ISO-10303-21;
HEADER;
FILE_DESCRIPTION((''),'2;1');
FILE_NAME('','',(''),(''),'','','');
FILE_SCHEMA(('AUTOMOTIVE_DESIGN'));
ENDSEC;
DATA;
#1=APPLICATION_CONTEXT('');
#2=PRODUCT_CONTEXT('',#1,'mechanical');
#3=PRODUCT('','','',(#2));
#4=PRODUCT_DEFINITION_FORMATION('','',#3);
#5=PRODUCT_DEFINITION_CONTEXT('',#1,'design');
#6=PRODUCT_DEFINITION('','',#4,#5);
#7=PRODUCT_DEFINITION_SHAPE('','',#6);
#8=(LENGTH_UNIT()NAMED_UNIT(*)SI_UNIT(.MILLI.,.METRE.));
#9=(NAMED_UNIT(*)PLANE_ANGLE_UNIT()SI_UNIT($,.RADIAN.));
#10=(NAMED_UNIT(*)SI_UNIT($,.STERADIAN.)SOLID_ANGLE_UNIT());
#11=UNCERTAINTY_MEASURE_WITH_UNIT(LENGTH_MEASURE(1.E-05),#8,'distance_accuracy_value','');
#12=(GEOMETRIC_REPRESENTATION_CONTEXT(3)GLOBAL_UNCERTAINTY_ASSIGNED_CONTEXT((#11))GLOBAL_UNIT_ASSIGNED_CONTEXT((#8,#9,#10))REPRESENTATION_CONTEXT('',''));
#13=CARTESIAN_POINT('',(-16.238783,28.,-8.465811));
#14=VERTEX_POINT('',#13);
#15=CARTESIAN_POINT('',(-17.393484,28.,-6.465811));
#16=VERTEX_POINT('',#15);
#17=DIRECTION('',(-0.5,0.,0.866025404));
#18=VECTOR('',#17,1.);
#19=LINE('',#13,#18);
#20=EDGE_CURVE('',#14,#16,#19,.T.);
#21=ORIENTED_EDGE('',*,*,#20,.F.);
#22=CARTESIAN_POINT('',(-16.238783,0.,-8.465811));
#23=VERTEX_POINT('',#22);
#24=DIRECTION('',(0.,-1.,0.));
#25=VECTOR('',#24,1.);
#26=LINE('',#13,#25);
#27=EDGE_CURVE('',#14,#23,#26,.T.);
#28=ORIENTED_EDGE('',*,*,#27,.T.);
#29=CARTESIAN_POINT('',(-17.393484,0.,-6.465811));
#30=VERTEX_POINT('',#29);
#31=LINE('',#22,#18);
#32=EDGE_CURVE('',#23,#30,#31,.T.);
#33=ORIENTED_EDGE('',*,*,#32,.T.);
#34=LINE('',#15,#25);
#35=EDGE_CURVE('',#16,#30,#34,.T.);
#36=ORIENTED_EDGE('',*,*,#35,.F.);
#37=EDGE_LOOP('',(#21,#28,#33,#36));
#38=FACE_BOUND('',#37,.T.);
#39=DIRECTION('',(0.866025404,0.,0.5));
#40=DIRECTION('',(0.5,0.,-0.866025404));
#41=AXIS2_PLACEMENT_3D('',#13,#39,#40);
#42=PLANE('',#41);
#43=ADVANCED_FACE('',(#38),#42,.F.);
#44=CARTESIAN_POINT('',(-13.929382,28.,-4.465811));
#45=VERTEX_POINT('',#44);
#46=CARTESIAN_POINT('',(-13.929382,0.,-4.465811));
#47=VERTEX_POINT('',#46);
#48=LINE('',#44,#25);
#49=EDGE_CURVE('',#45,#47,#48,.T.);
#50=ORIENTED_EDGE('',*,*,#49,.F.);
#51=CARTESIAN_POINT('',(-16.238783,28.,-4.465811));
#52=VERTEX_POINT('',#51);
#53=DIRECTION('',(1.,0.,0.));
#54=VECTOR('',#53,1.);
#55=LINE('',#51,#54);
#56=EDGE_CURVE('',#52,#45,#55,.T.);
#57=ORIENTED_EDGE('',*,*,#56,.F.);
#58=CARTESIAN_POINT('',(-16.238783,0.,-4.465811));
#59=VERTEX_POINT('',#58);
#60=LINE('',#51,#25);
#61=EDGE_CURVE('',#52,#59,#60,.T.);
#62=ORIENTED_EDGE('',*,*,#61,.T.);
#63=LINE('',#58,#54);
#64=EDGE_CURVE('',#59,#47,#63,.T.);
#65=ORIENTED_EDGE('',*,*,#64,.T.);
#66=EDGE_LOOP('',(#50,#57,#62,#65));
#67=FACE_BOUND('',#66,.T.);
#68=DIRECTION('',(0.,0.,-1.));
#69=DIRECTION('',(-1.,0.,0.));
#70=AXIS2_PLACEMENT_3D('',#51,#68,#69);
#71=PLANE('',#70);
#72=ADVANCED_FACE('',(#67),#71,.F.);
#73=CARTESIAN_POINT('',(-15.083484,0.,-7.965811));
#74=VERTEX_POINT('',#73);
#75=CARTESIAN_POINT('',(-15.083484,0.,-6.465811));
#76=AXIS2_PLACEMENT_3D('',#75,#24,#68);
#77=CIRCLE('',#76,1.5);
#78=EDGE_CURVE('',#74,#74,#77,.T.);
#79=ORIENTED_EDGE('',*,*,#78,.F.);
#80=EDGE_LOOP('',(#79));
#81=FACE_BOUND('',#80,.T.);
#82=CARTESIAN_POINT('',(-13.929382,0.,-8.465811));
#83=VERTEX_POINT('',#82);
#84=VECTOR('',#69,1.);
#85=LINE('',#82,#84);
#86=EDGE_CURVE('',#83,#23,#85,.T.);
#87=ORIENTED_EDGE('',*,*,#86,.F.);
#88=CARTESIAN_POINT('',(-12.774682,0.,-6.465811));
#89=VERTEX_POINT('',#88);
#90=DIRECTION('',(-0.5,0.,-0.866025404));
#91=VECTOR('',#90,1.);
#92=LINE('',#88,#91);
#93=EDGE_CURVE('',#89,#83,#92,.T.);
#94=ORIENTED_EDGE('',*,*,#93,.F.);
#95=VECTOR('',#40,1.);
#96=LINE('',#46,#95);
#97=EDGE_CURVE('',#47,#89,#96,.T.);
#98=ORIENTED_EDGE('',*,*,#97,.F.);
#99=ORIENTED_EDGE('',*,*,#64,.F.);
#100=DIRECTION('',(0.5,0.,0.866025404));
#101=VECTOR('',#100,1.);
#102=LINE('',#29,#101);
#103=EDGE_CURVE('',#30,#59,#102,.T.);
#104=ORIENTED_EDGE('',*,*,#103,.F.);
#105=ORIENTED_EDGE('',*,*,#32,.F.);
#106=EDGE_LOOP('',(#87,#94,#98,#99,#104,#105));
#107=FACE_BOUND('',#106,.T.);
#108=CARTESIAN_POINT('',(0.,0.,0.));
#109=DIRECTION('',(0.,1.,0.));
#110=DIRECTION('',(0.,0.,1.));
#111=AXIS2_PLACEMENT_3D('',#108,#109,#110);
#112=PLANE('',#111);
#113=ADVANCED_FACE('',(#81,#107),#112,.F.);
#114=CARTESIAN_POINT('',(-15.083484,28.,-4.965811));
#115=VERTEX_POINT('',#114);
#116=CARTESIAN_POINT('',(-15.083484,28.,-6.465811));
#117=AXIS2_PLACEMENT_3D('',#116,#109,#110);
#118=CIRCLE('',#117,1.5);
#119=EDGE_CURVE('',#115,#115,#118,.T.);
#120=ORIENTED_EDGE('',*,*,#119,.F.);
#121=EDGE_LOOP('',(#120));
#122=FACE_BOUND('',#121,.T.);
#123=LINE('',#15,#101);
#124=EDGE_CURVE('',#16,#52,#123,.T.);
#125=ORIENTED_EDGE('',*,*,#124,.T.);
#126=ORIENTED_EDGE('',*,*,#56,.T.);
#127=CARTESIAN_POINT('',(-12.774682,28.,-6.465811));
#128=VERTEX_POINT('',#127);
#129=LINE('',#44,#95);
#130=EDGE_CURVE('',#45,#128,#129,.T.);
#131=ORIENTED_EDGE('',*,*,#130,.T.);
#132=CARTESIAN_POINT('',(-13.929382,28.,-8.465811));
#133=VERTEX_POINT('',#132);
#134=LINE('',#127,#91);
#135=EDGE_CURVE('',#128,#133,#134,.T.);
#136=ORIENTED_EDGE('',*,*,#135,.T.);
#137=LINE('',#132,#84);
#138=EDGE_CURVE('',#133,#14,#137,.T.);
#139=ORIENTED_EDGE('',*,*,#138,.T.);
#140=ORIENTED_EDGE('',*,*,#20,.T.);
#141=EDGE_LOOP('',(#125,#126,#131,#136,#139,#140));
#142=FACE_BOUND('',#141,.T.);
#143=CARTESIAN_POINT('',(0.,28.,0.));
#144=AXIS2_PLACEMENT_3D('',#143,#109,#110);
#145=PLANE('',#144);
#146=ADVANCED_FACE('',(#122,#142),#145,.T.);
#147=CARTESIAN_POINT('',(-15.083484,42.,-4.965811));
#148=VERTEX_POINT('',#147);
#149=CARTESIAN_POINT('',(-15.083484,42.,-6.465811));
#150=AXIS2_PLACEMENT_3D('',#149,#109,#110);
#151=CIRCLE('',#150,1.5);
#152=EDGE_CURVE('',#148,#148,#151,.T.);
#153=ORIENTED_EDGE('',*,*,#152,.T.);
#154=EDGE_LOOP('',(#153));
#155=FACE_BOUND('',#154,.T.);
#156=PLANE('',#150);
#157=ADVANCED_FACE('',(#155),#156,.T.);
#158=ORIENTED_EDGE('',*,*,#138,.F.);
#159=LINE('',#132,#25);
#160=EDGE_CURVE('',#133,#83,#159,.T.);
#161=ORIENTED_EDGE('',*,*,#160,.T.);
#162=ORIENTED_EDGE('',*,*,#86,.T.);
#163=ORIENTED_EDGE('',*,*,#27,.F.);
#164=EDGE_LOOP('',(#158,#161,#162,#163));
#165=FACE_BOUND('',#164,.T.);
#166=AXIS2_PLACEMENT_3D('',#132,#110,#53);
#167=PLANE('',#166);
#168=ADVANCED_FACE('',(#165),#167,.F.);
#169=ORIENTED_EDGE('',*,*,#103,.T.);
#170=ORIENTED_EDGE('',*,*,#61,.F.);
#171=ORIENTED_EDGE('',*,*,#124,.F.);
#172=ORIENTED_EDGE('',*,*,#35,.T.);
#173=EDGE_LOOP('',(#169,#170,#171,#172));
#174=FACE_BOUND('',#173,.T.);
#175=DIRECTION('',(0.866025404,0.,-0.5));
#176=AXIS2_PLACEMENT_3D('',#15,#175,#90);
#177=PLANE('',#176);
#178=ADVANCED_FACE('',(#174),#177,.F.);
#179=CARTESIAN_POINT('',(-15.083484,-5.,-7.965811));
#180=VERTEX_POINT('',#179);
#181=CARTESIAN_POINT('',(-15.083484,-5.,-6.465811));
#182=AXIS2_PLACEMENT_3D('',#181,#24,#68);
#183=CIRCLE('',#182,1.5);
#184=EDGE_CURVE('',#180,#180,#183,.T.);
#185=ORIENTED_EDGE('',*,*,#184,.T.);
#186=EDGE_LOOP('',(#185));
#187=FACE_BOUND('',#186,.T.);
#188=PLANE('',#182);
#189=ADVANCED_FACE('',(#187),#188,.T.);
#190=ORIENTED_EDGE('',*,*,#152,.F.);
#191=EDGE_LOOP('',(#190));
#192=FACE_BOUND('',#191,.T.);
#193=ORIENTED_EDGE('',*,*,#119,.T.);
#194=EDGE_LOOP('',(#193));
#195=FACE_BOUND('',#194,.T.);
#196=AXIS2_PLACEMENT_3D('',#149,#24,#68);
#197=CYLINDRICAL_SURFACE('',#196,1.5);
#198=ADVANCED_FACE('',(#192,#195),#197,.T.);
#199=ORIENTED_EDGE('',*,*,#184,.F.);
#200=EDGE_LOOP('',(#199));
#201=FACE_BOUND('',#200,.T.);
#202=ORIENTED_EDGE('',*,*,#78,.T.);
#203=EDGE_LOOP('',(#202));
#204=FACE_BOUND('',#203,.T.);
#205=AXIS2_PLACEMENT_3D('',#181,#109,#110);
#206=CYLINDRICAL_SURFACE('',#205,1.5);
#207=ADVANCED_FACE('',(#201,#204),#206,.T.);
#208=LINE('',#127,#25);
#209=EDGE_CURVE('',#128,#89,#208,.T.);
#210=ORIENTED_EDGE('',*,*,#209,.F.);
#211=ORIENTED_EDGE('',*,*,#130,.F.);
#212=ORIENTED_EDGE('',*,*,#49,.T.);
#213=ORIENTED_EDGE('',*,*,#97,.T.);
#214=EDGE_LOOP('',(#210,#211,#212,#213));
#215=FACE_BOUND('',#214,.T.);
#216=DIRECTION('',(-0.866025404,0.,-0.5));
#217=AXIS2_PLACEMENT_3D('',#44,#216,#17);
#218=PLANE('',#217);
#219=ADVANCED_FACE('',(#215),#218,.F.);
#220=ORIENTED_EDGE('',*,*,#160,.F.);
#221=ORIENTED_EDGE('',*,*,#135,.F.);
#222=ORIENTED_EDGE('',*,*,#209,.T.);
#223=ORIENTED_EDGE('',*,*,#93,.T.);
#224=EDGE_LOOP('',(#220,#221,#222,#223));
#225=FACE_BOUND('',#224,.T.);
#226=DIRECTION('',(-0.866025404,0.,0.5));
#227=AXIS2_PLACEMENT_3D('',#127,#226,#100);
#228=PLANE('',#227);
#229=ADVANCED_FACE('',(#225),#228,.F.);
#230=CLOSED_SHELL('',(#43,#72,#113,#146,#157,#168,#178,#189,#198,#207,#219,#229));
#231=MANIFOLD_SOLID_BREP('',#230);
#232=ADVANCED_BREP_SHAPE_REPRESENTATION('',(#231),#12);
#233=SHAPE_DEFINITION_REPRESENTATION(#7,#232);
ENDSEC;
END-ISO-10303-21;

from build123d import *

# Parameters (mm, degrees)
BOSS_EXTRUDE1_DEPTH = 28
SKETCH3_R           = 1.5
BOSS_EXTRUDE2_DEPTH = 14
BOSS_EXTRUDE3_START = 5
SKETCH4_R           = 1.5
BOSS_EXTRUDE3_DEPTH = 5


with BuildPart() as part:
    # Sketch2 → Boss-Extrude1 (new body)
    with BuildSketch(Plane(origin=(0, 0, 0), x_dir=(1, 0, 0), z_dir=(0, 1, 0))):
        Polygon((-12.774681614, 6.46581124), (-13.929382153, 8.46581124), (-16.23878323, 8.46581124), (-17.393483768, 6.46581124), (-16.23878323, 4.46581124), (-13.929382153, 4.46581124), align=None)
    extrude(amount=BOSS_EXTRUDE1_DEPTH)

    # Sketch3 → Boss-Extrude2 (add)
    with BuildSketch(Plane(origin=(0, 28, 0), x_dir=(1, 0, 0), z_dir=(0, 1, 0))):
        with Locations(Location((-15.083483768, 6.46581124, 0), (0, 0, 270))):
            Circle(SKETCH3_R)
    extrude(amount=BOSS_EXTRUDE2_DEPTH)

    # Sketch4 → Boss-Extrude3 (add)
    with BuildSketch(Plane(origin=(0, 0, 0), x_dir=(-1, 0, 0), z_dir=(0, -1, 0)).offset(BOSS_EXTRUDE3_START)):
        with Locations(Location((15.083483768, 6.46581124, 0), (0, 0, 270))):
            Circle(SKETCH4_R)
    extrude(amount=-BOSS_EXTRUDE3_DEPTH)


solid = part.part
